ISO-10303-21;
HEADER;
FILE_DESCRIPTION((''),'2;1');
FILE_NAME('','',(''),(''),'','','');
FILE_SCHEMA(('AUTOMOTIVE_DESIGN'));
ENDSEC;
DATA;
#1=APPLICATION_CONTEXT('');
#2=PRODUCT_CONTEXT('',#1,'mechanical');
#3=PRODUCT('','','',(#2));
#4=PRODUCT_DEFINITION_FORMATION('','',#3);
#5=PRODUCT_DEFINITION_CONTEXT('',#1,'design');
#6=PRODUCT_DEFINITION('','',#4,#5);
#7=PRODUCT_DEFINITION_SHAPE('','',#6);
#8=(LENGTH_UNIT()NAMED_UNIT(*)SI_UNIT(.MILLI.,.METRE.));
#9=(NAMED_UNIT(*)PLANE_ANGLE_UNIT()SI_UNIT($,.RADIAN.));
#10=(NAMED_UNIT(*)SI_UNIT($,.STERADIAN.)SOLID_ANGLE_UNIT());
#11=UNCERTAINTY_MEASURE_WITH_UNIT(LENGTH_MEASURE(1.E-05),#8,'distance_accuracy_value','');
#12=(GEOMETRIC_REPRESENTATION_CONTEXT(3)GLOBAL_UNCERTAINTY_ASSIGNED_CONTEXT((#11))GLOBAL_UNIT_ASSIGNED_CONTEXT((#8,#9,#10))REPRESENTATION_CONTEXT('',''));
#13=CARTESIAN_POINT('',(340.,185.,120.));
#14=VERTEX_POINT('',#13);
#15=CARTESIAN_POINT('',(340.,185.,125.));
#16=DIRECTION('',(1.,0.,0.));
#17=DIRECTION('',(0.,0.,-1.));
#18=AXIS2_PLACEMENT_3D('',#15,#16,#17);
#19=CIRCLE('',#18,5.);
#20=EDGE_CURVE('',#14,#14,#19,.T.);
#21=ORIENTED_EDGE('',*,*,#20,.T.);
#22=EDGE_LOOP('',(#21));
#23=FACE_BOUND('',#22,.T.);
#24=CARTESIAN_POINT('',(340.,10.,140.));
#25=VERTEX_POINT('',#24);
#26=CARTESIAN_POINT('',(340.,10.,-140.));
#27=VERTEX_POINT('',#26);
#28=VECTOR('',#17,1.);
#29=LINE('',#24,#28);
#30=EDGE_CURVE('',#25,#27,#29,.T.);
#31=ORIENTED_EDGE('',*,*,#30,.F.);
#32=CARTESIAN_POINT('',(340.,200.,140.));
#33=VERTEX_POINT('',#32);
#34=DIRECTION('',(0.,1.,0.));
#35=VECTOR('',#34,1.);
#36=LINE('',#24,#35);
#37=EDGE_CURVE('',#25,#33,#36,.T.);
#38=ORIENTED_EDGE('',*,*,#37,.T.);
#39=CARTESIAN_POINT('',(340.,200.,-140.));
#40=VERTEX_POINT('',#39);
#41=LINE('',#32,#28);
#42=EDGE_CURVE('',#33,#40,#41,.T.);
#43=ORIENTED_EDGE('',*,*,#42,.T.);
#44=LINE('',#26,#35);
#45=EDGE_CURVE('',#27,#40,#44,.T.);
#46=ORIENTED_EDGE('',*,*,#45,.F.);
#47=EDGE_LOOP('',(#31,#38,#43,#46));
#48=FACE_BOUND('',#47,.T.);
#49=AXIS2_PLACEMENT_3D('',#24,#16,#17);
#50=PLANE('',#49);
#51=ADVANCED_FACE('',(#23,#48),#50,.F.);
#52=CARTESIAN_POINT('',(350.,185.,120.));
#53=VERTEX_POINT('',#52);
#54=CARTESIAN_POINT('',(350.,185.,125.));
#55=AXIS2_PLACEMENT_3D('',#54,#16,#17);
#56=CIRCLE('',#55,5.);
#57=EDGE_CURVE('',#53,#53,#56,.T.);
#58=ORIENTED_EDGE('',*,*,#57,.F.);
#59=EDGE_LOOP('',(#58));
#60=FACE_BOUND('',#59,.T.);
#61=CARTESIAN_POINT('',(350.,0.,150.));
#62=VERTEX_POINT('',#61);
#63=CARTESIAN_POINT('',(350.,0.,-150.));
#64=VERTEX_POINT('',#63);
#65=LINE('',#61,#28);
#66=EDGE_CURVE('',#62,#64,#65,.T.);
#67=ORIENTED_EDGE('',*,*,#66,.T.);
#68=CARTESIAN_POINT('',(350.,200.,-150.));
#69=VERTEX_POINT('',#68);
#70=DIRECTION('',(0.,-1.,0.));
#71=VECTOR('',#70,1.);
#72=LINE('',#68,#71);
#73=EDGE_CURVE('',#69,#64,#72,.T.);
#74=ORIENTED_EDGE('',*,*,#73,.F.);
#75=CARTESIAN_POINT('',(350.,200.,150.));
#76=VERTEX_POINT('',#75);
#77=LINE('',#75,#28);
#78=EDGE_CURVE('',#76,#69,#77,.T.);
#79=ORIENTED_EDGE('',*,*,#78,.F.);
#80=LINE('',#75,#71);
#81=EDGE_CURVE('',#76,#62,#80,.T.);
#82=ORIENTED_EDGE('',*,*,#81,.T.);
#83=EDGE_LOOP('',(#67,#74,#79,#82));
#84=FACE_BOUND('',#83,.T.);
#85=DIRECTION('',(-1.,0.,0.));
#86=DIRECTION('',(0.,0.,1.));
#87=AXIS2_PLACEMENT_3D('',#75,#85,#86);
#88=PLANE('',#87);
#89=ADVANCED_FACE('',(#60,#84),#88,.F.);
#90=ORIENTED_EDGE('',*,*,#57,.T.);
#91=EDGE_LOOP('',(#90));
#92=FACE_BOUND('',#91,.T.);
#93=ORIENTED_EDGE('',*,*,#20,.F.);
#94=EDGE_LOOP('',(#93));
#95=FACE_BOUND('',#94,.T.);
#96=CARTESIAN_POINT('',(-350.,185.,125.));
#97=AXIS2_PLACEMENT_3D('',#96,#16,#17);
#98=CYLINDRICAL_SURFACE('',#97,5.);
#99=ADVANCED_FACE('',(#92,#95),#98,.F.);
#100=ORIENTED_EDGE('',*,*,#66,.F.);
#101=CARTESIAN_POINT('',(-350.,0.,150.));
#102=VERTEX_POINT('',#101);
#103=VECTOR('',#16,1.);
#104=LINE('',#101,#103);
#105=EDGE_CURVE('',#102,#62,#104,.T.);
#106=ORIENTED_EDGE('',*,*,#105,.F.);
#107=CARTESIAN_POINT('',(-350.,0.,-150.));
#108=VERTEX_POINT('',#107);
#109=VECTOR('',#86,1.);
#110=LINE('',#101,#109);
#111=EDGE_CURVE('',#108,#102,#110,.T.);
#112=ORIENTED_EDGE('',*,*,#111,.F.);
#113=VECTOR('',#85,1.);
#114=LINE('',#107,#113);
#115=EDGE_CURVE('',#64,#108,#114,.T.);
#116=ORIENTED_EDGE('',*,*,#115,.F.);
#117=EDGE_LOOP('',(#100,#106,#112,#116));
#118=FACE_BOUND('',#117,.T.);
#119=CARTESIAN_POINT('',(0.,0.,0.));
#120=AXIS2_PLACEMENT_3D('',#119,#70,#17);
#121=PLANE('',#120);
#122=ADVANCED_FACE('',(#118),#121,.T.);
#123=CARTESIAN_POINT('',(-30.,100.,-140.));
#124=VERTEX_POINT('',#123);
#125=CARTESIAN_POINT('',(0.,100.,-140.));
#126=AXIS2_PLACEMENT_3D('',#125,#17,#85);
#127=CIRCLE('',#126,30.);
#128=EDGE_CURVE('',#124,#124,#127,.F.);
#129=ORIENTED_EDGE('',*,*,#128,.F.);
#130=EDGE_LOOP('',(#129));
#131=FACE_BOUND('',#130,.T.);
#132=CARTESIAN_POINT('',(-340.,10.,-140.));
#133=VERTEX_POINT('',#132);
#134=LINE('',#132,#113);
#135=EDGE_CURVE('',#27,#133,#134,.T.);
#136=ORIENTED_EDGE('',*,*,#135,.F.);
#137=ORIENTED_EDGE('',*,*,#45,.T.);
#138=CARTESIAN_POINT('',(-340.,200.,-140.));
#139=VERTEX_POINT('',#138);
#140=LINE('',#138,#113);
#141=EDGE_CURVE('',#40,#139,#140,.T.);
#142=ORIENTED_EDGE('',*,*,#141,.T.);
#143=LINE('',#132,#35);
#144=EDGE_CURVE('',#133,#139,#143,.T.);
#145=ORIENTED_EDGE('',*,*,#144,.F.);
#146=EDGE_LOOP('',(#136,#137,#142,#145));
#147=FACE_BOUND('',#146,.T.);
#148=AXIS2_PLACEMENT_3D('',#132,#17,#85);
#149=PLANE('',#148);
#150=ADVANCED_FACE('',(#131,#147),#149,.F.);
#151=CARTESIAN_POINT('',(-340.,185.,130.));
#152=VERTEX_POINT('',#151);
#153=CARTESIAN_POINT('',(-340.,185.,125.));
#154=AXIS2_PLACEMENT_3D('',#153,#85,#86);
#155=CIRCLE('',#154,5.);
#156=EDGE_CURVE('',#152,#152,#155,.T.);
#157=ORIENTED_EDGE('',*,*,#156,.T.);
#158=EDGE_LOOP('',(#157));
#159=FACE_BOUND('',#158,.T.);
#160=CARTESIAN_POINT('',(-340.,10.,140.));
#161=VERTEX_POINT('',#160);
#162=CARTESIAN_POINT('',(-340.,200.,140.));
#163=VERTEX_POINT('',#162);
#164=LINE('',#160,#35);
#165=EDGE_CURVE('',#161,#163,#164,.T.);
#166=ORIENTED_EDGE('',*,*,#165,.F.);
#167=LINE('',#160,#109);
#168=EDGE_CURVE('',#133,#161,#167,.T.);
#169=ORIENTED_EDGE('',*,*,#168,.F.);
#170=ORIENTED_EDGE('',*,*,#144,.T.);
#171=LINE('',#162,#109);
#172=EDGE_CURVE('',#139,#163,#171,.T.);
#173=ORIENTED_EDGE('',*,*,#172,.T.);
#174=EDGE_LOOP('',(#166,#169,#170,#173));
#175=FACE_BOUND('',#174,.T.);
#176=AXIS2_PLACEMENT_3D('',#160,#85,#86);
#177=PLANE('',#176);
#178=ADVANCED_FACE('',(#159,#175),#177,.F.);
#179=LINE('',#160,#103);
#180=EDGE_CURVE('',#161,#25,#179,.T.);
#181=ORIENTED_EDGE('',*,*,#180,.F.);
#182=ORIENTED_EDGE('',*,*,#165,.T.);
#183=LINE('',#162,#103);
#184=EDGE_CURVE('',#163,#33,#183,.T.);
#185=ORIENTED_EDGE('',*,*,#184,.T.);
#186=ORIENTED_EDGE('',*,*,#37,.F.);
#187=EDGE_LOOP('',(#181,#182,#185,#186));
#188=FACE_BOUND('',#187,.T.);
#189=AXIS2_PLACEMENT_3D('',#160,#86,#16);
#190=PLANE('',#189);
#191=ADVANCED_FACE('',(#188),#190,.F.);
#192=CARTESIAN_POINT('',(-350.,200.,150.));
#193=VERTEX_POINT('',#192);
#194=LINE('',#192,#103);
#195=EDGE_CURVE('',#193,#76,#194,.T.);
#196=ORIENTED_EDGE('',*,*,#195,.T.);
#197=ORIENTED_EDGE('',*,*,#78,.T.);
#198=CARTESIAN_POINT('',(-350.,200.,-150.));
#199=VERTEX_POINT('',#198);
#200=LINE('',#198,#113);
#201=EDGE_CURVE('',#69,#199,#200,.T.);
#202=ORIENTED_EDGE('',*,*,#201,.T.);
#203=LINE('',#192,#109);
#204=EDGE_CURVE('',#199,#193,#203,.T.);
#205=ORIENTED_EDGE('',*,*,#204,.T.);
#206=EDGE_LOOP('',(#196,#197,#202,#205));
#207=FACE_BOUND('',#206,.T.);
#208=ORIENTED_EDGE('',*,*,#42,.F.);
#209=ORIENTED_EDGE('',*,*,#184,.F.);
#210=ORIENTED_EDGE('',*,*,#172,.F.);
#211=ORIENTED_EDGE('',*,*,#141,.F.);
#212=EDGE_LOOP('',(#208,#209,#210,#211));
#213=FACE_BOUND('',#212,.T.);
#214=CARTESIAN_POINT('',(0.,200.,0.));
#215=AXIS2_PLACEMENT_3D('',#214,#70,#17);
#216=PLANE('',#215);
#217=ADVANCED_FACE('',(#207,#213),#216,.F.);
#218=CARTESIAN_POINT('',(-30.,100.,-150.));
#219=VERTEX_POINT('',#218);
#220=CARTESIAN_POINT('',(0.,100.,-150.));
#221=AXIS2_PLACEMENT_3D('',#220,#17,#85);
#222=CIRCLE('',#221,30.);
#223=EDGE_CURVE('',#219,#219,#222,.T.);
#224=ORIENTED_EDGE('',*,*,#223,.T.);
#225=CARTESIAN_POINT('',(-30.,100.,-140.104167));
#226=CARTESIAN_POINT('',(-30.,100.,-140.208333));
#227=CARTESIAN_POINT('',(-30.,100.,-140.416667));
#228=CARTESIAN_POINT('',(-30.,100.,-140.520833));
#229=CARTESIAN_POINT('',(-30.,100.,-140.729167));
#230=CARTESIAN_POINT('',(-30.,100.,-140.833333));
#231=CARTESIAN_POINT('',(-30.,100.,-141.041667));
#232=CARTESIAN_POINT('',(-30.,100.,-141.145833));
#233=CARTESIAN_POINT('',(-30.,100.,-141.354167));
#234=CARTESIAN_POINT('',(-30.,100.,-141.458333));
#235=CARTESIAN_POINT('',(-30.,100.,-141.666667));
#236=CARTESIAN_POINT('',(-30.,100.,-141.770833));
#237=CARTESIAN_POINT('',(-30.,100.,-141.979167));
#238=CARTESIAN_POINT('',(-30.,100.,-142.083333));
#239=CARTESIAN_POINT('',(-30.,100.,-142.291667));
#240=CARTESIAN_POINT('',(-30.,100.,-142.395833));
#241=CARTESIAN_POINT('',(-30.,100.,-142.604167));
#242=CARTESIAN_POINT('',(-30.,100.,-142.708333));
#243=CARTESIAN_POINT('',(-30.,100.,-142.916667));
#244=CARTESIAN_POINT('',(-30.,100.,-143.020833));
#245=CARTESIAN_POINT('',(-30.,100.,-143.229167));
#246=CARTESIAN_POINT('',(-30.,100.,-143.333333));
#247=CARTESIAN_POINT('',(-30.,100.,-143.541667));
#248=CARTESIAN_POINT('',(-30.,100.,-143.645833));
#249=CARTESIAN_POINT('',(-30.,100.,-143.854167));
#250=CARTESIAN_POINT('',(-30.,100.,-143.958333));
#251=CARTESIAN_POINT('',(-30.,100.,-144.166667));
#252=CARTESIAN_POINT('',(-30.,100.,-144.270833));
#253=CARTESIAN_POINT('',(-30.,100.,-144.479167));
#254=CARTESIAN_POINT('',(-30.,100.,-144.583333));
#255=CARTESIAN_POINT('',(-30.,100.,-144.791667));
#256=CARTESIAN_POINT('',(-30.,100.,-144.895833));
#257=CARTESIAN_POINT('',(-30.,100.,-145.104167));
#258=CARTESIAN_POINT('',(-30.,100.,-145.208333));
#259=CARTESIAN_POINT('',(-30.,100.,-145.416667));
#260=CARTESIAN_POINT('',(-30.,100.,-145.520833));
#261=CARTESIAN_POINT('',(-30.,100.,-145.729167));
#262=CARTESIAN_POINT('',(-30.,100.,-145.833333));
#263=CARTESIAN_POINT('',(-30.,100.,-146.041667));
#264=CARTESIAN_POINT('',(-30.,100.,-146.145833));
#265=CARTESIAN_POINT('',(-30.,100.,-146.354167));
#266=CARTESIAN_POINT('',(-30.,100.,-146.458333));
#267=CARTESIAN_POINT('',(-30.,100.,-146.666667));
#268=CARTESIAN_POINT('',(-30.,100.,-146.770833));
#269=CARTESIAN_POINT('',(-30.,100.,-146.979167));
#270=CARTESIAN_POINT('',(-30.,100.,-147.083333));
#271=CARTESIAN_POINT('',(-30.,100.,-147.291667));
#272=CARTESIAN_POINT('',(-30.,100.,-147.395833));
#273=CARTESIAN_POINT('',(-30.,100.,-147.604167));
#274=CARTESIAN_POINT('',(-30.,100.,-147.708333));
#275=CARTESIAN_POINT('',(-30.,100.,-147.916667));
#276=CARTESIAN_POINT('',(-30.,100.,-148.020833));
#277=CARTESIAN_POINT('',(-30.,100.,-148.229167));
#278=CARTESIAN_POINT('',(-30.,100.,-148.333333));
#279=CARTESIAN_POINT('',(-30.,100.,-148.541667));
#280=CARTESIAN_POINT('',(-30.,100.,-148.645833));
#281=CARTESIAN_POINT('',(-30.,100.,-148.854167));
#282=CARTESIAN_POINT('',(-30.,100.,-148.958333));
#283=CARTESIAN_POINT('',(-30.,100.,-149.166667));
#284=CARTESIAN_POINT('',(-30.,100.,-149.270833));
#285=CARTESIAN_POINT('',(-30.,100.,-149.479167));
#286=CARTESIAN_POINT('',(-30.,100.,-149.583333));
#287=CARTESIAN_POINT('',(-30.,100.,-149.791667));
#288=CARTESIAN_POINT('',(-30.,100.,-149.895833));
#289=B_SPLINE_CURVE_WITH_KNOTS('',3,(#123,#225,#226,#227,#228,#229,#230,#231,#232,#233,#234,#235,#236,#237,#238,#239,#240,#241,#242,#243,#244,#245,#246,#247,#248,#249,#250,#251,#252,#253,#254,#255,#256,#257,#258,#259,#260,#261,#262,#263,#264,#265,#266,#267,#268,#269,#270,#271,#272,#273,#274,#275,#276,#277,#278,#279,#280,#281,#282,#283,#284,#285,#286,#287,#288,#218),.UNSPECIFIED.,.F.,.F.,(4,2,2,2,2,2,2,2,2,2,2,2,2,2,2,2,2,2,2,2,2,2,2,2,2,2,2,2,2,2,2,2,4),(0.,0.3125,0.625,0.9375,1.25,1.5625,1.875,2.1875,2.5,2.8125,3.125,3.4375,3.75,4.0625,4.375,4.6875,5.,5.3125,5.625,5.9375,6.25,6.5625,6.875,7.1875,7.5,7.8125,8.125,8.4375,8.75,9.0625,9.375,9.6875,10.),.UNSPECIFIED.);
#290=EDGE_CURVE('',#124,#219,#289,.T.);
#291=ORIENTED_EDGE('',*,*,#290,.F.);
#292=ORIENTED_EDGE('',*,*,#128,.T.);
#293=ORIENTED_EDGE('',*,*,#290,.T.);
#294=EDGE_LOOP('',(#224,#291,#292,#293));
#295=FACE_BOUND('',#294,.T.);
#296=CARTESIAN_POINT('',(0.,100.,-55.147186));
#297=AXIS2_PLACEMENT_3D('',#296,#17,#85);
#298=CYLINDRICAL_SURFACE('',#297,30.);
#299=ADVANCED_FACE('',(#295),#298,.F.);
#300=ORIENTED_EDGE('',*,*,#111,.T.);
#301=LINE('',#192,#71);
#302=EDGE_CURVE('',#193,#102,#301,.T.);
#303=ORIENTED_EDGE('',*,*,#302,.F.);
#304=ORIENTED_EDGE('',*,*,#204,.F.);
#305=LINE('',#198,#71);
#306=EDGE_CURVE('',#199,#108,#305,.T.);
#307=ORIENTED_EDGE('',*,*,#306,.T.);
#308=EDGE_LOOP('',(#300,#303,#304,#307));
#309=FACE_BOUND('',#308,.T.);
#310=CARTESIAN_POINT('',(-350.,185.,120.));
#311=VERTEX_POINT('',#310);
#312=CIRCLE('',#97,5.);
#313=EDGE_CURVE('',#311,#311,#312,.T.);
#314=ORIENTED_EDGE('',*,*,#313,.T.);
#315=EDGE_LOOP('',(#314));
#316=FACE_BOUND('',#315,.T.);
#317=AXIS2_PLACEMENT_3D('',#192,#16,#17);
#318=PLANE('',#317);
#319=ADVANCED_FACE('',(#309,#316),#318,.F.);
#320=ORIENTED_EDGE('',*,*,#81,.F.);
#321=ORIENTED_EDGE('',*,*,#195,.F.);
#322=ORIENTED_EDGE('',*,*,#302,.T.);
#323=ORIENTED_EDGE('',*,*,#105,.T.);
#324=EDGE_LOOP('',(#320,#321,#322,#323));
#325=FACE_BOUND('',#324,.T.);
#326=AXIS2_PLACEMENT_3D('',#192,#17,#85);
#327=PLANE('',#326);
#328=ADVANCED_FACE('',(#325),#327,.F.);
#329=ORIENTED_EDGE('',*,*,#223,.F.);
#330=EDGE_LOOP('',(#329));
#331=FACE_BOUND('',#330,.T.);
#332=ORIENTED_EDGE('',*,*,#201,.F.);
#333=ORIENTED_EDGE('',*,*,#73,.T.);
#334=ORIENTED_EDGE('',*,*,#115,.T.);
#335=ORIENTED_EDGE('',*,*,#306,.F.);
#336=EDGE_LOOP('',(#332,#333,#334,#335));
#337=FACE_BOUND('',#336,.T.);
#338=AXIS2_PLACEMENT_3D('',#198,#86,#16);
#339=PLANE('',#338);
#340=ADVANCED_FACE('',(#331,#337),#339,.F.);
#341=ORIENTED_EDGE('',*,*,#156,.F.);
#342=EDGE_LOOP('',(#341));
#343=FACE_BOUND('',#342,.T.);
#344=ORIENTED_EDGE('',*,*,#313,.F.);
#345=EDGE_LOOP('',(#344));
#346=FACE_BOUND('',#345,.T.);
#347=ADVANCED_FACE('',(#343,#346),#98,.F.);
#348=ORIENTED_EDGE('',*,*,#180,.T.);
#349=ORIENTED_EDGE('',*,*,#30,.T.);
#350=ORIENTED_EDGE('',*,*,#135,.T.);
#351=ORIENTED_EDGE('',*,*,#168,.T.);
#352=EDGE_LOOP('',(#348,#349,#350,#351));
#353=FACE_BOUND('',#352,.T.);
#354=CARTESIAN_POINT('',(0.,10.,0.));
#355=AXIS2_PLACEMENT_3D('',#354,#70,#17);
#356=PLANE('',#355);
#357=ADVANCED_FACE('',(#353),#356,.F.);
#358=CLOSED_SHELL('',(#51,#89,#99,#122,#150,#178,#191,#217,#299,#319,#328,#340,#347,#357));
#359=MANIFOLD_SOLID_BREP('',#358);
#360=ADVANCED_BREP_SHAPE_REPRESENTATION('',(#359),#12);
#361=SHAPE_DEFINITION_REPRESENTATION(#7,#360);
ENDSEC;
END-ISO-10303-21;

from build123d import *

# Parameters (mm, degrees)
CROQUIS1_W              = 700
CROQUIS1_H              = 300
SALIENTE_EXTRUIR1_DEPTH = 200
CROQUIS2_W              = 680
CROQUIS2_H              = 280
CORTAR_EXTRUIR1_DEPTH   = 190
CROQUIS3_R              = 5
CORTAR_EXTRUIR2_DEPTH   = 700
CROQUIS4_R              = 30
CORTAR_EXTRUIR3_DEPTH   = 10


with BuildPart() as part:
    # Croquis1 → Saliente-Extruir1 (new body)
    with BuildSketch(Plane(origin=(0, 0, 0), x_dir=(1, 0, 0), z_dir=(0, 1, 0))):
        Rectangle(CROQUIS1_W, CROQUIS1_H)
    extrude(amount=SALIENTE_EXTRUIR1_DEPTH)

    # Croquis2 → Cortar-Extruir1 (cut)
    with BuildSketch(Plane(origin=(0, 200, 0), x_dir=(1, 0, 0), z_dir=(0, 1, 0))):
        Rectangle(CROQUIS2_W, CROQUIS2_H)
    extrude(amount=-CORTAR_EXTRUIR1_DEPTH, mode=Mode.SUBTRACT)

    # Croquis3 → Cortar-Extruir2 (cut)
    with BuildSketch(Plane(origin=(350, 0, 0), x_dir=(0, 0, -1), z_dir=(1, 0, 0))):
        with Locations((-125, 185)):
            Circle(CROQUIS3_R)
    extrude(amount=-CORTAR_EXTRUIR2_DEPTH, mode=Mode.SUBTRACT)

    # Croquis4 → Cortar-Extruir3 (cut)
    with BuildSketch(Plane(origin=(0, 0, -150), x_dir=(-1, 0, 0), z_dir=(0, 0, -1))):
        with Locations((0, 100)):
            Circle(CROQUIS4_R)
    extrude(amount=-CORTAR_EXTRUIR3_DEPTH, mode=Mode.SUBTRACT)


solid = part.part
